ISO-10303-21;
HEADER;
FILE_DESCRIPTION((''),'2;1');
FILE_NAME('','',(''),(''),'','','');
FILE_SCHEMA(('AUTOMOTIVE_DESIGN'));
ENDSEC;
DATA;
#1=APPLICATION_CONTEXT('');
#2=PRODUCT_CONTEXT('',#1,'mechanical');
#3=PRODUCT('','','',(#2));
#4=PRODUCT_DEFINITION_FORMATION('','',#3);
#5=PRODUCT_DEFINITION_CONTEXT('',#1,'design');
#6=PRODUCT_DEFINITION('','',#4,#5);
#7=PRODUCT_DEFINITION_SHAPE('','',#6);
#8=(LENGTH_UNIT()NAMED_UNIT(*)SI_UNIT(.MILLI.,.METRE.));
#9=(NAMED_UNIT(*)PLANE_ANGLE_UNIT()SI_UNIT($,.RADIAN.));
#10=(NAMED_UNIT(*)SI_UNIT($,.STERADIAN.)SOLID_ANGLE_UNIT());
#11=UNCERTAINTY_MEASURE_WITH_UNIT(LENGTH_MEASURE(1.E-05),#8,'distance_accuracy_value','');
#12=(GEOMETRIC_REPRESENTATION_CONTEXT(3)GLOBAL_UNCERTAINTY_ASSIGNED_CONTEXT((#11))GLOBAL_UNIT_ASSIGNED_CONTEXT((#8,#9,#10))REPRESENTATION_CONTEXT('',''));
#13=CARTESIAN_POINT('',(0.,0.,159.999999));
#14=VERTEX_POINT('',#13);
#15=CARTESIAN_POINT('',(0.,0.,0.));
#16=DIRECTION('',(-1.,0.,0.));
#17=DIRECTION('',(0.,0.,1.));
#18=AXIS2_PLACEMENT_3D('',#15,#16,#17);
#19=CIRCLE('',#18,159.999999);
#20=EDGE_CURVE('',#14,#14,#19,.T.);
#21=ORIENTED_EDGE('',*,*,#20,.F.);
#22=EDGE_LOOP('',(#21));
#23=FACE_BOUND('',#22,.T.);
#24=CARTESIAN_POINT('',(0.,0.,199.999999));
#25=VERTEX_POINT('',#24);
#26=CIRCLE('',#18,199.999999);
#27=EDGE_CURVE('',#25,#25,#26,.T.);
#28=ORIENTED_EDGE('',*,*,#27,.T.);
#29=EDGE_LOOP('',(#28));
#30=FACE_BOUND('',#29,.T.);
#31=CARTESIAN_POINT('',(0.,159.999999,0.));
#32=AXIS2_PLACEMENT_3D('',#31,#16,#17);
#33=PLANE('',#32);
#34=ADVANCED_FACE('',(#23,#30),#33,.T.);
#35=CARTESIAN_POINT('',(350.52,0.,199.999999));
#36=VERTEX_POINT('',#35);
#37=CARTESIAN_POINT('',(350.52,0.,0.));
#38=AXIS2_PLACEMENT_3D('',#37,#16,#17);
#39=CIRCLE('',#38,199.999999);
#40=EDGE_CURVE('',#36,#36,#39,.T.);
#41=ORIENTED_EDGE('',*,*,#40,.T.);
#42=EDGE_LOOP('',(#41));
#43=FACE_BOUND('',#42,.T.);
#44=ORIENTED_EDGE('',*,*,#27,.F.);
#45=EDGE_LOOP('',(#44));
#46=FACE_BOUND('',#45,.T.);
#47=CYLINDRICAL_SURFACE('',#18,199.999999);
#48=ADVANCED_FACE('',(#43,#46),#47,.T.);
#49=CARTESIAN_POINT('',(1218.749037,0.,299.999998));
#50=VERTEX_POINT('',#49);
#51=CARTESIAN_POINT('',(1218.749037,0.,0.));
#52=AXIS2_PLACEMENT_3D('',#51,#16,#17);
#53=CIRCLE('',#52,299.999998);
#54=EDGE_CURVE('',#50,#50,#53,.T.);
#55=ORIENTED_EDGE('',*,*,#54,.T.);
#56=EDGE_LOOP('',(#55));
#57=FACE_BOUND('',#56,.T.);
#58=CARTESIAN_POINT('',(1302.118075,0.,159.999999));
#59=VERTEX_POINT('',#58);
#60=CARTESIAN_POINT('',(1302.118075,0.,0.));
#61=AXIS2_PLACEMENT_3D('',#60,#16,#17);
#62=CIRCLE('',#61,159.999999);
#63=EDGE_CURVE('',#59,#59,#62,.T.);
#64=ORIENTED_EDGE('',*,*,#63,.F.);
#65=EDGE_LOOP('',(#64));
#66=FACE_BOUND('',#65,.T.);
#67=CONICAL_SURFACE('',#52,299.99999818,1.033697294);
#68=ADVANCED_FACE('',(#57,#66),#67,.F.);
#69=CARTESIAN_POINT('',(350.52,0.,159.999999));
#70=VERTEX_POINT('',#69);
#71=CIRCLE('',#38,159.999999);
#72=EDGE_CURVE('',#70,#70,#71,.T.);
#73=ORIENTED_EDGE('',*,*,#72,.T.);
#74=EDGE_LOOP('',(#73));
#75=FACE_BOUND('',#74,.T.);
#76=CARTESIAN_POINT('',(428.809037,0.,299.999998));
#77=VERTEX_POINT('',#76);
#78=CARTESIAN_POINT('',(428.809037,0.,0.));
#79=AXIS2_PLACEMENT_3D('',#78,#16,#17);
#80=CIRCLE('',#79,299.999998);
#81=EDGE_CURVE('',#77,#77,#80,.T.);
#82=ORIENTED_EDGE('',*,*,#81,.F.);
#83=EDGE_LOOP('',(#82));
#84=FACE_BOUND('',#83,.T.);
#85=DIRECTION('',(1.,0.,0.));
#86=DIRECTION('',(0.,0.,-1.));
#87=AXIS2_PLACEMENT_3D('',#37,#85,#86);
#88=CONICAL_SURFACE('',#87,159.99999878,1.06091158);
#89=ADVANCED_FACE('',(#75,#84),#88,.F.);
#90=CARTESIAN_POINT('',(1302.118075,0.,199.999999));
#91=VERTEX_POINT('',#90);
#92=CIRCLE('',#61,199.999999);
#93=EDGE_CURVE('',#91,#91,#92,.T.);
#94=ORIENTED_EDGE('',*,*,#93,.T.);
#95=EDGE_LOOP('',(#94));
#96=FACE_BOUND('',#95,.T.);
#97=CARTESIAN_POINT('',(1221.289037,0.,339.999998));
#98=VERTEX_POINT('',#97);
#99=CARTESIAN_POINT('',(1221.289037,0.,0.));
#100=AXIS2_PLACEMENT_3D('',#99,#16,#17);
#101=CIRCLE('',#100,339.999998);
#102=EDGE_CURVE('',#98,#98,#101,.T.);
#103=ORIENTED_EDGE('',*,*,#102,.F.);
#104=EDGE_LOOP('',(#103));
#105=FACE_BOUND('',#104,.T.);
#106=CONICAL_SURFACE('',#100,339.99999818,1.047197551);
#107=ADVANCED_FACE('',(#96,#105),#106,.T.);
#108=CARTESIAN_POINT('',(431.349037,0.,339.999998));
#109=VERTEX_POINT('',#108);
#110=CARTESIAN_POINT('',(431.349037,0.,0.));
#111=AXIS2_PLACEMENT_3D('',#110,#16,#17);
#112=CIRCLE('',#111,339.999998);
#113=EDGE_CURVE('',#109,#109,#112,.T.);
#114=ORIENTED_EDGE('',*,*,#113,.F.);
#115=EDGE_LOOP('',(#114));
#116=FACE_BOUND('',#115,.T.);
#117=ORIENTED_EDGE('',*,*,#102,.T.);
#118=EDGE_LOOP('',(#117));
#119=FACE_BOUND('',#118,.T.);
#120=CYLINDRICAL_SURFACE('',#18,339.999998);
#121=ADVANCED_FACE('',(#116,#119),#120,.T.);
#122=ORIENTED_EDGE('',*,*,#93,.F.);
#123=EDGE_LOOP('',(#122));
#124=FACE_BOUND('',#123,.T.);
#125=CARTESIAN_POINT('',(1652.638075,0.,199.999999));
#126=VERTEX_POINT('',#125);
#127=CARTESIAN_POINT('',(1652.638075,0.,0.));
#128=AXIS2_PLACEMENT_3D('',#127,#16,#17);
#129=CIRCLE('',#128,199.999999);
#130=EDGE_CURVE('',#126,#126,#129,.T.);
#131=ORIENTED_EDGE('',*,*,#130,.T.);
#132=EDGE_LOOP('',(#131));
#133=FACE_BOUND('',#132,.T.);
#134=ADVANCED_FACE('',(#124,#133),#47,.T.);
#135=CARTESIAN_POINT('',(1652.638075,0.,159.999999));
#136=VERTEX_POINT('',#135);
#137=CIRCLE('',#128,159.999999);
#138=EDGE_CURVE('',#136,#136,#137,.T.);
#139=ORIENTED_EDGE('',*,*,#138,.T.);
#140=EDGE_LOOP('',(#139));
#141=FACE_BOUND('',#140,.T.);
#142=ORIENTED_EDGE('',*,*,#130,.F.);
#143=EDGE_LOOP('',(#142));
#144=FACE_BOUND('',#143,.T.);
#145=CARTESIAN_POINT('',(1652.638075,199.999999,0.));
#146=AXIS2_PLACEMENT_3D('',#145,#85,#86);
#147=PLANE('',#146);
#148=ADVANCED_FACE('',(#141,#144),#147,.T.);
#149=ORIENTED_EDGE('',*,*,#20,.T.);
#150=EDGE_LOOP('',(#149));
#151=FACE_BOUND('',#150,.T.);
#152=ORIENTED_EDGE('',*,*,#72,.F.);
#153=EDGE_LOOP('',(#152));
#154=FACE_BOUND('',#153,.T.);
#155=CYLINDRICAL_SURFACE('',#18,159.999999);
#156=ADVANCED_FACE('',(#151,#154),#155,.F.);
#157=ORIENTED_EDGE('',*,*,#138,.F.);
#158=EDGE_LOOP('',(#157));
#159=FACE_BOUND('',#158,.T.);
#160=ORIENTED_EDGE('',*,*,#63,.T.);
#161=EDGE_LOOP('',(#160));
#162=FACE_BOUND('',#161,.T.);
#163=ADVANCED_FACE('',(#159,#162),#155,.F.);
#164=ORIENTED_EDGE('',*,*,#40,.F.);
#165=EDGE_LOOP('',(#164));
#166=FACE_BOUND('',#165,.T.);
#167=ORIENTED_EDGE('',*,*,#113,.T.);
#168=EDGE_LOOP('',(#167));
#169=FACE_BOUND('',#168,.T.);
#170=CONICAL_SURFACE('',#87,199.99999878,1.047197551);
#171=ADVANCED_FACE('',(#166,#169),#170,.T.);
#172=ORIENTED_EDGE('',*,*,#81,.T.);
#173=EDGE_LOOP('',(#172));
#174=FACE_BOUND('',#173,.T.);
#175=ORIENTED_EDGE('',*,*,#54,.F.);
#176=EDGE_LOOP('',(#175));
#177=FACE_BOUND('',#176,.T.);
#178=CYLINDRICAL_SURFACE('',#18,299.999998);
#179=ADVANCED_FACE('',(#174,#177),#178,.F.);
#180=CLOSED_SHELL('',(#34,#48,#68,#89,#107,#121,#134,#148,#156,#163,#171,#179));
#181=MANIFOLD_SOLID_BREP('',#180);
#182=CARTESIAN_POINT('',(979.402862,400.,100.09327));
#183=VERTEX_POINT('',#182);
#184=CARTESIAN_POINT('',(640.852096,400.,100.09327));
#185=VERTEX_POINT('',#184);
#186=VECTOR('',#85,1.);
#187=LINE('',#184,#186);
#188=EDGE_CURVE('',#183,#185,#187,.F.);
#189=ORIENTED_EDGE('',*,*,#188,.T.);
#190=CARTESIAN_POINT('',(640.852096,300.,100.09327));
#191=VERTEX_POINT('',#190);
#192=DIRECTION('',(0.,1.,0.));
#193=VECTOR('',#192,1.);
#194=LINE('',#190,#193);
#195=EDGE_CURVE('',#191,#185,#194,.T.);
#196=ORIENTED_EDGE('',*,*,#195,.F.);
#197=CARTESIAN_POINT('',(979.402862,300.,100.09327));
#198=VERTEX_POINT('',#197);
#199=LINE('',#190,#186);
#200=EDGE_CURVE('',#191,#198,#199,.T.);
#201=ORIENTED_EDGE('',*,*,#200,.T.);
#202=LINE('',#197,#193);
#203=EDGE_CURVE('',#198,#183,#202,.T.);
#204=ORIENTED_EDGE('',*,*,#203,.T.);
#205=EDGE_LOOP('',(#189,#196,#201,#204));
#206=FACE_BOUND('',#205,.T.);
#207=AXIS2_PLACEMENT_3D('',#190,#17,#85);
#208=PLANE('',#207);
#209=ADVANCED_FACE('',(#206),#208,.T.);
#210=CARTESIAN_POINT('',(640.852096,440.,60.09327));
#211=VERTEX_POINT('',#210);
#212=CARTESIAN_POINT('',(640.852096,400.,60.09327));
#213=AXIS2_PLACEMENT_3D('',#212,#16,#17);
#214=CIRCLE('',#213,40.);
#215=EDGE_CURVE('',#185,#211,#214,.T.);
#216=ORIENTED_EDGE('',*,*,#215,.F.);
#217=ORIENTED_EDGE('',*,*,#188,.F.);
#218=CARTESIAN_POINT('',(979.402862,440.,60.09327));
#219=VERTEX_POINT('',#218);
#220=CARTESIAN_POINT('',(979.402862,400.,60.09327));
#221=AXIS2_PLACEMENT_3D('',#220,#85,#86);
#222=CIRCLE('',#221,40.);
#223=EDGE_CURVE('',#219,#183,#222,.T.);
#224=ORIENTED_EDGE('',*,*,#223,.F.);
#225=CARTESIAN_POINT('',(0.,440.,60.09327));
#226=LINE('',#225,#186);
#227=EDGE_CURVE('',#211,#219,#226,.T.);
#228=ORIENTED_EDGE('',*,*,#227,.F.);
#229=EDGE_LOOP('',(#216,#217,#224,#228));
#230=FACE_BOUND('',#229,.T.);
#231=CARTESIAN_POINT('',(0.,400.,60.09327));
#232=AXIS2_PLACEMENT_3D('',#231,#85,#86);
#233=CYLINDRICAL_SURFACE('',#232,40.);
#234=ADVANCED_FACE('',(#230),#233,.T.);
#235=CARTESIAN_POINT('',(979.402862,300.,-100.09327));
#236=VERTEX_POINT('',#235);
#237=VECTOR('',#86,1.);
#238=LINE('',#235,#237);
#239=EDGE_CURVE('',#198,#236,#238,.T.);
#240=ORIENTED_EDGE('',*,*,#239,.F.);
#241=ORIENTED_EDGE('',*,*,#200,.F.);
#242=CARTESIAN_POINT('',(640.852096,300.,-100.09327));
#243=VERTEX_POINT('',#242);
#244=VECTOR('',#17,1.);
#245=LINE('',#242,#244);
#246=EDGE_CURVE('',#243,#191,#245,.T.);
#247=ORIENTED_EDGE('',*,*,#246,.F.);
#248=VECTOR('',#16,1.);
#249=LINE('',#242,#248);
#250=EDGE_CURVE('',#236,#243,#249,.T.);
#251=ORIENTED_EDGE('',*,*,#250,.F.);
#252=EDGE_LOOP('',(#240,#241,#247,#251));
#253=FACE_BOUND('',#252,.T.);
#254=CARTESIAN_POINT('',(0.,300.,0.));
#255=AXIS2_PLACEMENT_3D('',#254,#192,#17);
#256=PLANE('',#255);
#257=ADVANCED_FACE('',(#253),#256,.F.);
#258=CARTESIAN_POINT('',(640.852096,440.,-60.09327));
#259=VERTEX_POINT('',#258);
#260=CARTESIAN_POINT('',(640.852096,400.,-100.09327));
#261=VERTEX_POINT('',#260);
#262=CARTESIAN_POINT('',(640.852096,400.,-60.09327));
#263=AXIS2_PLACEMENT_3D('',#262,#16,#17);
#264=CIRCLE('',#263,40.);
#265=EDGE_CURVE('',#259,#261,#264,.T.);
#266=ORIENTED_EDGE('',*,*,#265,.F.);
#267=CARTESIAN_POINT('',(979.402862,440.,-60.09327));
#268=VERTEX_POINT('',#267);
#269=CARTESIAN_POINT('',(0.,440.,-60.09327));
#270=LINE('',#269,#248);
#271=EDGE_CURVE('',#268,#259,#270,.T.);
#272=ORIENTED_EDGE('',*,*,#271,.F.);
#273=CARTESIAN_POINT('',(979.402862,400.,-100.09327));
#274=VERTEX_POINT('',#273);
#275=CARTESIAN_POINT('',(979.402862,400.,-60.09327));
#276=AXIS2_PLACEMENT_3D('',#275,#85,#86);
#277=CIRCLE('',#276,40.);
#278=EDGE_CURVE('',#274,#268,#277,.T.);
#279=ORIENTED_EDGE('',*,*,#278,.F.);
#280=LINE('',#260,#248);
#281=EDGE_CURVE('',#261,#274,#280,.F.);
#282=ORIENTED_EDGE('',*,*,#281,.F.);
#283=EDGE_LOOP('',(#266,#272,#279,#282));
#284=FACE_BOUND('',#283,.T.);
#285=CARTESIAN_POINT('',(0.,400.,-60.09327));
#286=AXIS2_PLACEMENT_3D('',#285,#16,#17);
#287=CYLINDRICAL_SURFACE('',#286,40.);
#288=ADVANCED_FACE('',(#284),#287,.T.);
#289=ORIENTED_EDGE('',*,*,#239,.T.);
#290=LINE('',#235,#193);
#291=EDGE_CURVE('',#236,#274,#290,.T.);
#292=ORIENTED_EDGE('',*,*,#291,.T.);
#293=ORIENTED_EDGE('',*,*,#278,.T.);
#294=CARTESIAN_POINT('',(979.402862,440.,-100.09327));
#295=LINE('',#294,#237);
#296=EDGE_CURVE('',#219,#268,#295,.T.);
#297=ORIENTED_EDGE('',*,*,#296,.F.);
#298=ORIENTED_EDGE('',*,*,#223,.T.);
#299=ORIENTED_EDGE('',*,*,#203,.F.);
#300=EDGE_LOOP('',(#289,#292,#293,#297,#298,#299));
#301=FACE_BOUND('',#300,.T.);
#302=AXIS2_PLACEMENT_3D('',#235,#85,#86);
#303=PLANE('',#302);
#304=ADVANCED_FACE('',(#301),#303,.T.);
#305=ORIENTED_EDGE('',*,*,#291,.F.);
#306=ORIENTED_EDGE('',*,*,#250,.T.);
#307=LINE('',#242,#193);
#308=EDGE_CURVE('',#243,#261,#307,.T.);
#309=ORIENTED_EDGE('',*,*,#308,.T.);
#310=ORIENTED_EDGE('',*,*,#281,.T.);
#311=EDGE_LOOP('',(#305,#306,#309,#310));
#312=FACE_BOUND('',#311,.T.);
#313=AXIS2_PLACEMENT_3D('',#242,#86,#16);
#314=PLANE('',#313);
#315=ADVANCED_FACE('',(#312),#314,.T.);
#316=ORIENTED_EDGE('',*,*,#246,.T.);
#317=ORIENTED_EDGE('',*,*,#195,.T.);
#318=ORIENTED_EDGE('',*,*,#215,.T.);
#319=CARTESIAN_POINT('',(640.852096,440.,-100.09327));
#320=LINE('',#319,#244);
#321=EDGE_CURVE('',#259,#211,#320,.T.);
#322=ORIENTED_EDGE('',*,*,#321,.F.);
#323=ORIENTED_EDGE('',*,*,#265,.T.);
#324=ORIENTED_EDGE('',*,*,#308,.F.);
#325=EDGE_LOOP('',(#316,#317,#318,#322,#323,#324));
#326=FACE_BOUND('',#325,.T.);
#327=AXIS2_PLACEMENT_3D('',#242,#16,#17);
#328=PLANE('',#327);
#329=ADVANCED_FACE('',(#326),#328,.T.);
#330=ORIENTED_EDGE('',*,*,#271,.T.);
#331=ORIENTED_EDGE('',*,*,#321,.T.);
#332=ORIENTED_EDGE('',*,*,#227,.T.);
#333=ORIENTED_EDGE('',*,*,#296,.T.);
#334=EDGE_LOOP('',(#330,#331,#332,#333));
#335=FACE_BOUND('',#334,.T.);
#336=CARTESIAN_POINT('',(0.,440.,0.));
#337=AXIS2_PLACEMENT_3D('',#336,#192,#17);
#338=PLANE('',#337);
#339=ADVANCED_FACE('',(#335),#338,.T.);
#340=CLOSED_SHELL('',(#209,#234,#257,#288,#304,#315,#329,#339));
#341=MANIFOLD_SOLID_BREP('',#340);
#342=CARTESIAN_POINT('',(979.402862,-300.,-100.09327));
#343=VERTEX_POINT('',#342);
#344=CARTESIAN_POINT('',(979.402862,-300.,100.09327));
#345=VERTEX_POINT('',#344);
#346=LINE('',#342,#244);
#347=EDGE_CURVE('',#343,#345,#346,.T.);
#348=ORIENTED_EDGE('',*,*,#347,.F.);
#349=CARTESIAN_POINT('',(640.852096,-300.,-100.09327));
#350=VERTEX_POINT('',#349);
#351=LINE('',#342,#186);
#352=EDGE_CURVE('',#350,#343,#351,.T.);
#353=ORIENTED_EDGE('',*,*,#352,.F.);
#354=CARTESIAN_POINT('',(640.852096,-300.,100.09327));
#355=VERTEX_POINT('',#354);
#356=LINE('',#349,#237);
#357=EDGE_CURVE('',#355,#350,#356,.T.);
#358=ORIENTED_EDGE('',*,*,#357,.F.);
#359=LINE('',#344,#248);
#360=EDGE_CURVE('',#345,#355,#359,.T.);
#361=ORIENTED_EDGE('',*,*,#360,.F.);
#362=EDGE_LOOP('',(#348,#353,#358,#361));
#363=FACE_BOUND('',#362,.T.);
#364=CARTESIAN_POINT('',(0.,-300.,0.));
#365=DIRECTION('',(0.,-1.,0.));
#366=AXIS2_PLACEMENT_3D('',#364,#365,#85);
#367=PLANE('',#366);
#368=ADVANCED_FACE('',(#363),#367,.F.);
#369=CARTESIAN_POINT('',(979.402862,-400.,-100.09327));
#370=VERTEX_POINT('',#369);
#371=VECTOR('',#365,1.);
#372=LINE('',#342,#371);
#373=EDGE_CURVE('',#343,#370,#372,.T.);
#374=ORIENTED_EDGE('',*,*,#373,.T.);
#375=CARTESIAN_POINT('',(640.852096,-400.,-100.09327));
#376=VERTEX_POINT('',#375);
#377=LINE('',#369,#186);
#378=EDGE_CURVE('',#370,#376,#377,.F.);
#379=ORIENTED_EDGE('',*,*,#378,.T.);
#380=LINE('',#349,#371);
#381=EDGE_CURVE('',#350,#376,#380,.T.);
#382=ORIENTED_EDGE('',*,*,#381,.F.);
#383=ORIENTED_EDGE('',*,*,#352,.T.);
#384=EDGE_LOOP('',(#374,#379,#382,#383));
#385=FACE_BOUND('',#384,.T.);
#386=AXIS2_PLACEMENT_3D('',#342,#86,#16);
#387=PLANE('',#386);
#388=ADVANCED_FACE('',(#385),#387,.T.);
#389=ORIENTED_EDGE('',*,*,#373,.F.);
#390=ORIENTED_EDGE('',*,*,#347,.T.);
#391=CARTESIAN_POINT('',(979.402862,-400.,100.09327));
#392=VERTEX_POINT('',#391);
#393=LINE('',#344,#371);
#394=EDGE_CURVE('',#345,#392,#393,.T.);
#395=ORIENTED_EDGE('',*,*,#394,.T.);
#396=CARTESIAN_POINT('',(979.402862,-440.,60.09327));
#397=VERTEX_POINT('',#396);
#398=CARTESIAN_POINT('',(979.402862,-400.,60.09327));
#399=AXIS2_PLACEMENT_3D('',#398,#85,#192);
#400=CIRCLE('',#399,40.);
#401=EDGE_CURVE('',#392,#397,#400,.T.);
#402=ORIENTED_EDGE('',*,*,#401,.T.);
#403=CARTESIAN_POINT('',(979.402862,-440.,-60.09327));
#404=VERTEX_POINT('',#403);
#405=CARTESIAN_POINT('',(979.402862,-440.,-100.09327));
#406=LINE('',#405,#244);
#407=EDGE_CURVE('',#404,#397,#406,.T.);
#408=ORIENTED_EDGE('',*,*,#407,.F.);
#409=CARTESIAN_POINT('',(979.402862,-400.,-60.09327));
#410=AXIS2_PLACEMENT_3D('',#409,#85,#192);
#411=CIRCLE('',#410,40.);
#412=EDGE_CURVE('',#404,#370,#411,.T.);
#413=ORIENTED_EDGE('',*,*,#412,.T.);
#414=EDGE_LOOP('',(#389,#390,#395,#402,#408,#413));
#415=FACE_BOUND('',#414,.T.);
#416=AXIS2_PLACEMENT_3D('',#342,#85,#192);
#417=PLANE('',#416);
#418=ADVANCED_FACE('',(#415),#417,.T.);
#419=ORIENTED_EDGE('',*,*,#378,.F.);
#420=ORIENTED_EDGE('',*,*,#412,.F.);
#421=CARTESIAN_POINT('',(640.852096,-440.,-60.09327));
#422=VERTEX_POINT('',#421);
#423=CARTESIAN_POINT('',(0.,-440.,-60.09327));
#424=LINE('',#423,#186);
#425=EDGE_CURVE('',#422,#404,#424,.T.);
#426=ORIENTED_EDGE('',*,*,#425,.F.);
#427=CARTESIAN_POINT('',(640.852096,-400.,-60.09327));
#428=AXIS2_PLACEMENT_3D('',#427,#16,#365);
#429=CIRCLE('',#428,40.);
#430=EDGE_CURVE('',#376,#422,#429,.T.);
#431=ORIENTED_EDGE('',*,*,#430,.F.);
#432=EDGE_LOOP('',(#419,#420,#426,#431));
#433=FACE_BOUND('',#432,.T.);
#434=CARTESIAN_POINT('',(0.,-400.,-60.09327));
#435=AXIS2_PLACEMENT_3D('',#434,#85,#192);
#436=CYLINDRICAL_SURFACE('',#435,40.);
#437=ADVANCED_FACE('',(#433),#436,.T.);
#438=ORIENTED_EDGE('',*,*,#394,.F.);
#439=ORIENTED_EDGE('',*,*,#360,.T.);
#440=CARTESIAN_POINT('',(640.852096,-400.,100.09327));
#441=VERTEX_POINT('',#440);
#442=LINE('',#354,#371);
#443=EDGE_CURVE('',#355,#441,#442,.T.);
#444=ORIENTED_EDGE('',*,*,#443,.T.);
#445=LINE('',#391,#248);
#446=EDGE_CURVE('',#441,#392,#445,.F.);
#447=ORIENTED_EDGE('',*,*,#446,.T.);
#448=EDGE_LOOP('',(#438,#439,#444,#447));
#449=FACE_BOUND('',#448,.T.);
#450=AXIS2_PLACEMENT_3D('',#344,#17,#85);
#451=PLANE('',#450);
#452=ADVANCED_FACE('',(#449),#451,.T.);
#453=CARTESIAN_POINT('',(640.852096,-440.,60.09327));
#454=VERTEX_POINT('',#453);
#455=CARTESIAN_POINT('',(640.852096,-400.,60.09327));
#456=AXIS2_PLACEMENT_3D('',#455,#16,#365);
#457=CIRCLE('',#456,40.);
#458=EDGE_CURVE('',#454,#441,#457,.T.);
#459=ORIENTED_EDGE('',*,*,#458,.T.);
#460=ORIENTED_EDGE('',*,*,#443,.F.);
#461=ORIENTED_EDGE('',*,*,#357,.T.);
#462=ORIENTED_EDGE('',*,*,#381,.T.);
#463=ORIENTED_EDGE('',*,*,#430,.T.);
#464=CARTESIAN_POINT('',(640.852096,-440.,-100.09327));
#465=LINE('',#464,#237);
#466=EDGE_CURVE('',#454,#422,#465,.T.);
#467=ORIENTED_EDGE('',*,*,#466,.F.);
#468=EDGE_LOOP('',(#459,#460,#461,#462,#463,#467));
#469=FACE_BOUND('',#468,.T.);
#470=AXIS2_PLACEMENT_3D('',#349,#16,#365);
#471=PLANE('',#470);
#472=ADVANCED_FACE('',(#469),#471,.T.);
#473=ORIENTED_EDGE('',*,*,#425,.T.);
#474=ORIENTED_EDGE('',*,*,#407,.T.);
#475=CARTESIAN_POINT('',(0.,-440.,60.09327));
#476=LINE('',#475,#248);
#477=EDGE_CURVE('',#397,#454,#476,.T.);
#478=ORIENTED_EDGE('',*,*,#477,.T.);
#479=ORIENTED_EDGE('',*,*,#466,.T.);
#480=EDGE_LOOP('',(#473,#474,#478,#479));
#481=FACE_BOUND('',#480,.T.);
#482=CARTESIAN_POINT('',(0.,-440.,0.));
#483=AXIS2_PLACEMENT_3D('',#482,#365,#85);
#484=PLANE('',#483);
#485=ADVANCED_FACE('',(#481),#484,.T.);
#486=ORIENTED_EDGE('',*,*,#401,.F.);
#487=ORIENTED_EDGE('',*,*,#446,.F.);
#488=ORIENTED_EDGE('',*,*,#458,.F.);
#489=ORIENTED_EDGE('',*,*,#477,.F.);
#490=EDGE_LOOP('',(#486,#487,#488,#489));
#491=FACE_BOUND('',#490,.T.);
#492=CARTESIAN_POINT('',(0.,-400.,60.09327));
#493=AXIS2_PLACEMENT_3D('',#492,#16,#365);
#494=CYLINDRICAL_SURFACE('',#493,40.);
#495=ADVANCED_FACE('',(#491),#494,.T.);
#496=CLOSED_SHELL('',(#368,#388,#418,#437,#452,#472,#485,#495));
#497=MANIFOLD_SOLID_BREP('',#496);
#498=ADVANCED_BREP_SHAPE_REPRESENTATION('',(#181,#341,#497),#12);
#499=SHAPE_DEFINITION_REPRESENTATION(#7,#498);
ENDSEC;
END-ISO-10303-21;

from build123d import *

# Parameters (mm, degrees)
SKETCH3_W                = 338.550765942
SKETCH3_H                = 200.186539862
BOSS_EXTRUDE1_DEPTH      = 100
BOSS_EXTRUDE1_DEPTH_BACK = 40
FILLET1_R                = 40
SKETCH5_W                = 338.550765942
SKETCH5_H                = 200.186539862
BOSS_EXTRUDE2_DEPTH      = 99.999999898
BOSS_EXTRUDE2_DEPTH_BACK = 40
FILLET2_R                = 40


with BuildPart() as part:
    # Sketch1 → Revolve1 (revolve)
    with BuildSketch(Plane.XY):
        Polygon((0, 159.99999878), (0, 199.99999878), (350.52, 199.99999878), (431.34903734, 339.99999818), (1221.28903734, 339.99999818), (1302.11807468, 199.99999878), (1652.63807468, 199.99999878), (1652.63807468, 159.99999878), (1626.618760092, 159.99999878), (1302.11807468, 159.99999878), (1218.74903734, 299.99999818), (428.80903734, 299.99999818), (350.52, 159.99999878), (39.855878474, 159.99999878), align=None)
    revolve(axis=Axis((0, 0, 0), (1, 0, 0)))


with BuildPart() as body_2:
    # Sketch3 → Boss-Extrude1 (new body, two sides)
    with BuildSketch(Plane(origin=(0, 339.999999958, 0), x_dir=(1, 0, 0), z_dir=(0, 1, 0))) as boss_extrude1_sk:
        with Locations((810.127478969, 0)):
            Rectangle(SKETCH3_W, SKETCH3_H)
    extrude(amount=BOSS_EXTRUDE1_DEPTH)
    extrude(boss_extrude1_sk.sketch, amount=-BOSS_EXTRUDE1_DEPTH_BACK)

    # Fillet1
    fillet1_edges = [body_2.edges().sort_by_distance(p)[0] for p in [
        (810.127478969, 439.999999958, -100.093269931),
        (810.127478969, 439.999999958, 100.093269931),
    ]]
    fillet(fillet1_edges, radius=FILLET1_R)


with BuildPart() as body_3:
    # Sketch5 → Boss-Extrude2 (new body, two sides)
    with BuildSketch(Plane(origin=(0, -339.999999958, 0), x_dir=(-1, 0, 0), z_dir=(0, -1, 0))) as boss_extrude2_sk:
        with Locations((-810.127478969, 0)):
            Rectangle(SKETCH5_W, SKETCH5_H)
    extrude(amount=BOSS_EXTRUDE2_DEPTH)
    extrude(boss_extrude2_sk.sketch, amount=-BOSS_EXTRUDE2_DEPTH_BACK)

    # Fillet2
    fillet2_edges = [body_3.edges().sort_by_distance(p)[0] for p in [
        (810.127478969, -439.999999856, 100.093269931),
        (810.127478969, -439.999999856, -100.093269931),
    ]]
    fillet(fillet2_edges, radius=FILLET2_R)


solid = Compound([part.part, body_2.part, body_3.part])
